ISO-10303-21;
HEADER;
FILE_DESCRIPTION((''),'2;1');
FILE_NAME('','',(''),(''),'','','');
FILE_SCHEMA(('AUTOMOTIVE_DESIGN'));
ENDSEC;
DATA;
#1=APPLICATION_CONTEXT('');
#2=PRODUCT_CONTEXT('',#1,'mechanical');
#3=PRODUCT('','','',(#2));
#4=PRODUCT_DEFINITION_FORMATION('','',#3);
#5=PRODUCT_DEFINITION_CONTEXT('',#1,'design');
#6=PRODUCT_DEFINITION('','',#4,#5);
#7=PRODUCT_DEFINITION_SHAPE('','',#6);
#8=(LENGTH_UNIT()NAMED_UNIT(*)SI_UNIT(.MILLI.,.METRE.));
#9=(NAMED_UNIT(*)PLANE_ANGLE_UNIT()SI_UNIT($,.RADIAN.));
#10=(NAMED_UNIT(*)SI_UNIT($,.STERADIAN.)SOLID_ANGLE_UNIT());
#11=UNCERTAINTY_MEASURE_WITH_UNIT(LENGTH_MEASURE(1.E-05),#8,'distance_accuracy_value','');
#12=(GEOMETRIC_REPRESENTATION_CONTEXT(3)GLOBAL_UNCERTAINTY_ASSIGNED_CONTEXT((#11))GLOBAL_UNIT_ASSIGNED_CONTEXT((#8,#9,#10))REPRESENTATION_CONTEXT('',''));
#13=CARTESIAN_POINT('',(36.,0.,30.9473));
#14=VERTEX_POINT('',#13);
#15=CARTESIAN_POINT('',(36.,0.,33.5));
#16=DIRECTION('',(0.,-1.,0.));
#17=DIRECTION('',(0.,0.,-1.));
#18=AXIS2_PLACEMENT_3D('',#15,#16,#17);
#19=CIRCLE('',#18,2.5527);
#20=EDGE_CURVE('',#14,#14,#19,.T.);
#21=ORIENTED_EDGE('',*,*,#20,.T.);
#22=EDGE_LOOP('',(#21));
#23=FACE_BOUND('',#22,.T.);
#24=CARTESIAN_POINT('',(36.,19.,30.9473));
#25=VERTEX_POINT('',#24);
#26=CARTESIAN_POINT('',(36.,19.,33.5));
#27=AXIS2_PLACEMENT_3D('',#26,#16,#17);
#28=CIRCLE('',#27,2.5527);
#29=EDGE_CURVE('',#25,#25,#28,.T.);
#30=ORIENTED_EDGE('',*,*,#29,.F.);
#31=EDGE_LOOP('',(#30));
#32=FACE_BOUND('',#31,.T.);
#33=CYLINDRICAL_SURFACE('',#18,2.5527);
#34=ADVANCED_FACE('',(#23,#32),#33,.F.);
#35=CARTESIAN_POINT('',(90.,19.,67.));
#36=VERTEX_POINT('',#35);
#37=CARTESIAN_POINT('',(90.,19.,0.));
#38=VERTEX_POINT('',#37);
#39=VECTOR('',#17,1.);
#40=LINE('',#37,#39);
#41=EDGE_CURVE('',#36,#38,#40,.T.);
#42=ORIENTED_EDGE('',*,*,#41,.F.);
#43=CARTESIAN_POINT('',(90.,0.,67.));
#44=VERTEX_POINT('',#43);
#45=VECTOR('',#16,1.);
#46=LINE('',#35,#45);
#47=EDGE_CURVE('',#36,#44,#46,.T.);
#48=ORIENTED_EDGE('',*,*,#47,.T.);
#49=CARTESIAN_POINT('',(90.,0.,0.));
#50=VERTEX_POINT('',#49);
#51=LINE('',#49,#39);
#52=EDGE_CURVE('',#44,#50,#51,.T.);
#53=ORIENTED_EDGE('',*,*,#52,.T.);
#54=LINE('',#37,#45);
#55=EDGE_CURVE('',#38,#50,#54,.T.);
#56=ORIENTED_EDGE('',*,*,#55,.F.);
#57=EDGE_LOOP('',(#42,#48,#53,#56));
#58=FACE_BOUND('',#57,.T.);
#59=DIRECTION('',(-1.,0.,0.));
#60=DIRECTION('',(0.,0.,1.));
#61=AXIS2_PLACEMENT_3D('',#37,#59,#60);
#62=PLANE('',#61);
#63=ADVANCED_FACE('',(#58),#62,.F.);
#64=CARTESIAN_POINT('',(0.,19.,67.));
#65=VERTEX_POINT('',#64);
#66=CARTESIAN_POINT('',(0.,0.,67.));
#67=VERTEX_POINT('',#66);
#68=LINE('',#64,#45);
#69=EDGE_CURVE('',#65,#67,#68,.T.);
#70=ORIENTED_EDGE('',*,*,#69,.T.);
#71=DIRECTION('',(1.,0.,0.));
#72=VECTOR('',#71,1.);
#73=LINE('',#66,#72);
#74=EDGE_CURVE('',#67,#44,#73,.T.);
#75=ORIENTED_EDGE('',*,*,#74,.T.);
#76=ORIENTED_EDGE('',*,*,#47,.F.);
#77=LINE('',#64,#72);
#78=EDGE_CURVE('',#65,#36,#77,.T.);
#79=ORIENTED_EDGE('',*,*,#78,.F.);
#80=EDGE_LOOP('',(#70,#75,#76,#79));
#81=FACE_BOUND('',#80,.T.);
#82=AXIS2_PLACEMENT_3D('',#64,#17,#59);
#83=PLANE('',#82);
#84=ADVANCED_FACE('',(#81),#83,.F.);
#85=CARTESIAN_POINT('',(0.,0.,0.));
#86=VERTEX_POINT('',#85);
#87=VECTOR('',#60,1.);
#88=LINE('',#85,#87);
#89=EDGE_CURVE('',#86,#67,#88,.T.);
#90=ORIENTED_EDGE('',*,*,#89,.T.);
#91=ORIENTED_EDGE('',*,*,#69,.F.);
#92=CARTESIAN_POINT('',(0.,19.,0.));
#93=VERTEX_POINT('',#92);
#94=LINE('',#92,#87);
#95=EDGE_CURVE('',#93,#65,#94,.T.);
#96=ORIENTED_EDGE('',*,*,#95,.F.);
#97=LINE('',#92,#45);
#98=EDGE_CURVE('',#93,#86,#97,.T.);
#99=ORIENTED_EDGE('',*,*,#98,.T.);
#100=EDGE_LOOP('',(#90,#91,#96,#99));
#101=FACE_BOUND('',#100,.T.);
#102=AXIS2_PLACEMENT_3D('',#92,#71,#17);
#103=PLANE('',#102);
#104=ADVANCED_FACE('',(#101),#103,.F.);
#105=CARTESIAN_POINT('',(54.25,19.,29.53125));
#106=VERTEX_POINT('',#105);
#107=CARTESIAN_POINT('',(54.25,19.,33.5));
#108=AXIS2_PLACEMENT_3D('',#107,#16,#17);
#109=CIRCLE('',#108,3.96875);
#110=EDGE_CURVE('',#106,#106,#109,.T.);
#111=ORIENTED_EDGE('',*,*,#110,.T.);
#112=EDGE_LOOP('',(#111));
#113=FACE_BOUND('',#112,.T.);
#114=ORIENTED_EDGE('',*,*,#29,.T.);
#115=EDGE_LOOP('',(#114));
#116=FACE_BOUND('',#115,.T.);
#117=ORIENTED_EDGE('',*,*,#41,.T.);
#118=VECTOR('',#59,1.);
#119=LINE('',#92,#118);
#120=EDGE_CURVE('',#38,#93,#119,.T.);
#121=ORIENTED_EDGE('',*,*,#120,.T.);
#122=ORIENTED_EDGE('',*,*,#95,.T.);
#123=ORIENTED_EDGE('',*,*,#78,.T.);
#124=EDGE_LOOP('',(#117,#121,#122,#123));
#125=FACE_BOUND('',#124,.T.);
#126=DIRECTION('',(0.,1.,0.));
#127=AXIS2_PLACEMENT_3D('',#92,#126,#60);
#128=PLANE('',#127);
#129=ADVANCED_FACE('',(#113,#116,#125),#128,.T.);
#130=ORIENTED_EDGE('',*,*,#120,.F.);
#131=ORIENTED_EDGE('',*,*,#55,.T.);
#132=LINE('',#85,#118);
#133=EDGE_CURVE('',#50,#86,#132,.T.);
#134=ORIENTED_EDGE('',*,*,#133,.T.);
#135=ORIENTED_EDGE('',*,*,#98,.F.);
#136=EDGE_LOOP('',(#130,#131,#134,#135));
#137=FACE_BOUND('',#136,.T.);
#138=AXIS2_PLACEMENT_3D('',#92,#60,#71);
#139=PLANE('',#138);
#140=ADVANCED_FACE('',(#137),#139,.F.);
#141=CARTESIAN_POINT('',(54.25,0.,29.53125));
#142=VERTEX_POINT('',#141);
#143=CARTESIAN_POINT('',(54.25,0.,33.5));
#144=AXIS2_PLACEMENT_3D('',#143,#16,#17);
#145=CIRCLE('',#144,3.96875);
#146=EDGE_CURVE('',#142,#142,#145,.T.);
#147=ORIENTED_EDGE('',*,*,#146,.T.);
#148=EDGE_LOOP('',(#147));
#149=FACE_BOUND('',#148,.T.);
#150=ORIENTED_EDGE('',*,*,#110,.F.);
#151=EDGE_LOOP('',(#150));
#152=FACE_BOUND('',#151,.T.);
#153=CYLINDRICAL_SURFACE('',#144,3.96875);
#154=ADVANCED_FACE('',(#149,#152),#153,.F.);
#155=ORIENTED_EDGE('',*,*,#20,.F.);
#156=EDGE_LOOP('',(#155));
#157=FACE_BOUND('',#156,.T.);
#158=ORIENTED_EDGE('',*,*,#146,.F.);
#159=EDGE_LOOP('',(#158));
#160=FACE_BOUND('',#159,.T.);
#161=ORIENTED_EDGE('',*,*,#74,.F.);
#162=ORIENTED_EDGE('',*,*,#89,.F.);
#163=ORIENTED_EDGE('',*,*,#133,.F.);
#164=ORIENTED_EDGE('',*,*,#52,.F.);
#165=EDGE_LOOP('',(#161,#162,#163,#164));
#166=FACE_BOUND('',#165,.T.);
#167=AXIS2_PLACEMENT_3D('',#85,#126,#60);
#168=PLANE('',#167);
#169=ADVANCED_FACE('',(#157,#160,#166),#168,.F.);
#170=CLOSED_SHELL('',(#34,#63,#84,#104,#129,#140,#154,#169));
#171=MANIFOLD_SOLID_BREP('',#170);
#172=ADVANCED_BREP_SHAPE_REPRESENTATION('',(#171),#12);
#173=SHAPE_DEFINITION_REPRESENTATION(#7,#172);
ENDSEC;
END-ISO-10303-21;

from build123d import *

# Parameters (mm, degrees)
SKETCH_1_W            = 90
SKETCH_1_H            = 67
EXTRUDE_1_DEPTH       = 19
HOLE_WIZARD_1_4_201_D = 5.1054
HOLE_WIZARD_3_8_161_D = 7.9375


with BuildPart() as part:
    # Эскиз1 → Бобышка-Вытянуть1 (new body)
    with BuildSketch(Plane(origin=(0, 0, 0), x_dir=(1, 0, 0), z_dir=(0, 1, 0))):
        with Locations((45, -33.5)):
            Rectangle(SKETCH_1_W, SKETCH_1_H)
    extrude(amount=EXTRUDE_1_DEPTH)

    # Отверстие обработанное метчиком 1/4-201 (through all)
    with Locations(Plane(origin=(36, 0, 33.5), x_dir=(0, 0, -1), z_dir=(0, -1, 0))):
        with Locations((0, 0)):
            Hole(HOLE_WIZARD_1_4_201_D / 2)

    # Отверстие обработанное метчиком 3/8-161 (through all)
    with Locations(Plane(origin=(54.25, 0, 33.5), x_dir=(0, 0, -1), z_dir=(0, -1, 0))):
        with Locations((0, 0)):
            Hole(HOLE_WIZARD_3_8_161_D / 2)


solid = part.part
